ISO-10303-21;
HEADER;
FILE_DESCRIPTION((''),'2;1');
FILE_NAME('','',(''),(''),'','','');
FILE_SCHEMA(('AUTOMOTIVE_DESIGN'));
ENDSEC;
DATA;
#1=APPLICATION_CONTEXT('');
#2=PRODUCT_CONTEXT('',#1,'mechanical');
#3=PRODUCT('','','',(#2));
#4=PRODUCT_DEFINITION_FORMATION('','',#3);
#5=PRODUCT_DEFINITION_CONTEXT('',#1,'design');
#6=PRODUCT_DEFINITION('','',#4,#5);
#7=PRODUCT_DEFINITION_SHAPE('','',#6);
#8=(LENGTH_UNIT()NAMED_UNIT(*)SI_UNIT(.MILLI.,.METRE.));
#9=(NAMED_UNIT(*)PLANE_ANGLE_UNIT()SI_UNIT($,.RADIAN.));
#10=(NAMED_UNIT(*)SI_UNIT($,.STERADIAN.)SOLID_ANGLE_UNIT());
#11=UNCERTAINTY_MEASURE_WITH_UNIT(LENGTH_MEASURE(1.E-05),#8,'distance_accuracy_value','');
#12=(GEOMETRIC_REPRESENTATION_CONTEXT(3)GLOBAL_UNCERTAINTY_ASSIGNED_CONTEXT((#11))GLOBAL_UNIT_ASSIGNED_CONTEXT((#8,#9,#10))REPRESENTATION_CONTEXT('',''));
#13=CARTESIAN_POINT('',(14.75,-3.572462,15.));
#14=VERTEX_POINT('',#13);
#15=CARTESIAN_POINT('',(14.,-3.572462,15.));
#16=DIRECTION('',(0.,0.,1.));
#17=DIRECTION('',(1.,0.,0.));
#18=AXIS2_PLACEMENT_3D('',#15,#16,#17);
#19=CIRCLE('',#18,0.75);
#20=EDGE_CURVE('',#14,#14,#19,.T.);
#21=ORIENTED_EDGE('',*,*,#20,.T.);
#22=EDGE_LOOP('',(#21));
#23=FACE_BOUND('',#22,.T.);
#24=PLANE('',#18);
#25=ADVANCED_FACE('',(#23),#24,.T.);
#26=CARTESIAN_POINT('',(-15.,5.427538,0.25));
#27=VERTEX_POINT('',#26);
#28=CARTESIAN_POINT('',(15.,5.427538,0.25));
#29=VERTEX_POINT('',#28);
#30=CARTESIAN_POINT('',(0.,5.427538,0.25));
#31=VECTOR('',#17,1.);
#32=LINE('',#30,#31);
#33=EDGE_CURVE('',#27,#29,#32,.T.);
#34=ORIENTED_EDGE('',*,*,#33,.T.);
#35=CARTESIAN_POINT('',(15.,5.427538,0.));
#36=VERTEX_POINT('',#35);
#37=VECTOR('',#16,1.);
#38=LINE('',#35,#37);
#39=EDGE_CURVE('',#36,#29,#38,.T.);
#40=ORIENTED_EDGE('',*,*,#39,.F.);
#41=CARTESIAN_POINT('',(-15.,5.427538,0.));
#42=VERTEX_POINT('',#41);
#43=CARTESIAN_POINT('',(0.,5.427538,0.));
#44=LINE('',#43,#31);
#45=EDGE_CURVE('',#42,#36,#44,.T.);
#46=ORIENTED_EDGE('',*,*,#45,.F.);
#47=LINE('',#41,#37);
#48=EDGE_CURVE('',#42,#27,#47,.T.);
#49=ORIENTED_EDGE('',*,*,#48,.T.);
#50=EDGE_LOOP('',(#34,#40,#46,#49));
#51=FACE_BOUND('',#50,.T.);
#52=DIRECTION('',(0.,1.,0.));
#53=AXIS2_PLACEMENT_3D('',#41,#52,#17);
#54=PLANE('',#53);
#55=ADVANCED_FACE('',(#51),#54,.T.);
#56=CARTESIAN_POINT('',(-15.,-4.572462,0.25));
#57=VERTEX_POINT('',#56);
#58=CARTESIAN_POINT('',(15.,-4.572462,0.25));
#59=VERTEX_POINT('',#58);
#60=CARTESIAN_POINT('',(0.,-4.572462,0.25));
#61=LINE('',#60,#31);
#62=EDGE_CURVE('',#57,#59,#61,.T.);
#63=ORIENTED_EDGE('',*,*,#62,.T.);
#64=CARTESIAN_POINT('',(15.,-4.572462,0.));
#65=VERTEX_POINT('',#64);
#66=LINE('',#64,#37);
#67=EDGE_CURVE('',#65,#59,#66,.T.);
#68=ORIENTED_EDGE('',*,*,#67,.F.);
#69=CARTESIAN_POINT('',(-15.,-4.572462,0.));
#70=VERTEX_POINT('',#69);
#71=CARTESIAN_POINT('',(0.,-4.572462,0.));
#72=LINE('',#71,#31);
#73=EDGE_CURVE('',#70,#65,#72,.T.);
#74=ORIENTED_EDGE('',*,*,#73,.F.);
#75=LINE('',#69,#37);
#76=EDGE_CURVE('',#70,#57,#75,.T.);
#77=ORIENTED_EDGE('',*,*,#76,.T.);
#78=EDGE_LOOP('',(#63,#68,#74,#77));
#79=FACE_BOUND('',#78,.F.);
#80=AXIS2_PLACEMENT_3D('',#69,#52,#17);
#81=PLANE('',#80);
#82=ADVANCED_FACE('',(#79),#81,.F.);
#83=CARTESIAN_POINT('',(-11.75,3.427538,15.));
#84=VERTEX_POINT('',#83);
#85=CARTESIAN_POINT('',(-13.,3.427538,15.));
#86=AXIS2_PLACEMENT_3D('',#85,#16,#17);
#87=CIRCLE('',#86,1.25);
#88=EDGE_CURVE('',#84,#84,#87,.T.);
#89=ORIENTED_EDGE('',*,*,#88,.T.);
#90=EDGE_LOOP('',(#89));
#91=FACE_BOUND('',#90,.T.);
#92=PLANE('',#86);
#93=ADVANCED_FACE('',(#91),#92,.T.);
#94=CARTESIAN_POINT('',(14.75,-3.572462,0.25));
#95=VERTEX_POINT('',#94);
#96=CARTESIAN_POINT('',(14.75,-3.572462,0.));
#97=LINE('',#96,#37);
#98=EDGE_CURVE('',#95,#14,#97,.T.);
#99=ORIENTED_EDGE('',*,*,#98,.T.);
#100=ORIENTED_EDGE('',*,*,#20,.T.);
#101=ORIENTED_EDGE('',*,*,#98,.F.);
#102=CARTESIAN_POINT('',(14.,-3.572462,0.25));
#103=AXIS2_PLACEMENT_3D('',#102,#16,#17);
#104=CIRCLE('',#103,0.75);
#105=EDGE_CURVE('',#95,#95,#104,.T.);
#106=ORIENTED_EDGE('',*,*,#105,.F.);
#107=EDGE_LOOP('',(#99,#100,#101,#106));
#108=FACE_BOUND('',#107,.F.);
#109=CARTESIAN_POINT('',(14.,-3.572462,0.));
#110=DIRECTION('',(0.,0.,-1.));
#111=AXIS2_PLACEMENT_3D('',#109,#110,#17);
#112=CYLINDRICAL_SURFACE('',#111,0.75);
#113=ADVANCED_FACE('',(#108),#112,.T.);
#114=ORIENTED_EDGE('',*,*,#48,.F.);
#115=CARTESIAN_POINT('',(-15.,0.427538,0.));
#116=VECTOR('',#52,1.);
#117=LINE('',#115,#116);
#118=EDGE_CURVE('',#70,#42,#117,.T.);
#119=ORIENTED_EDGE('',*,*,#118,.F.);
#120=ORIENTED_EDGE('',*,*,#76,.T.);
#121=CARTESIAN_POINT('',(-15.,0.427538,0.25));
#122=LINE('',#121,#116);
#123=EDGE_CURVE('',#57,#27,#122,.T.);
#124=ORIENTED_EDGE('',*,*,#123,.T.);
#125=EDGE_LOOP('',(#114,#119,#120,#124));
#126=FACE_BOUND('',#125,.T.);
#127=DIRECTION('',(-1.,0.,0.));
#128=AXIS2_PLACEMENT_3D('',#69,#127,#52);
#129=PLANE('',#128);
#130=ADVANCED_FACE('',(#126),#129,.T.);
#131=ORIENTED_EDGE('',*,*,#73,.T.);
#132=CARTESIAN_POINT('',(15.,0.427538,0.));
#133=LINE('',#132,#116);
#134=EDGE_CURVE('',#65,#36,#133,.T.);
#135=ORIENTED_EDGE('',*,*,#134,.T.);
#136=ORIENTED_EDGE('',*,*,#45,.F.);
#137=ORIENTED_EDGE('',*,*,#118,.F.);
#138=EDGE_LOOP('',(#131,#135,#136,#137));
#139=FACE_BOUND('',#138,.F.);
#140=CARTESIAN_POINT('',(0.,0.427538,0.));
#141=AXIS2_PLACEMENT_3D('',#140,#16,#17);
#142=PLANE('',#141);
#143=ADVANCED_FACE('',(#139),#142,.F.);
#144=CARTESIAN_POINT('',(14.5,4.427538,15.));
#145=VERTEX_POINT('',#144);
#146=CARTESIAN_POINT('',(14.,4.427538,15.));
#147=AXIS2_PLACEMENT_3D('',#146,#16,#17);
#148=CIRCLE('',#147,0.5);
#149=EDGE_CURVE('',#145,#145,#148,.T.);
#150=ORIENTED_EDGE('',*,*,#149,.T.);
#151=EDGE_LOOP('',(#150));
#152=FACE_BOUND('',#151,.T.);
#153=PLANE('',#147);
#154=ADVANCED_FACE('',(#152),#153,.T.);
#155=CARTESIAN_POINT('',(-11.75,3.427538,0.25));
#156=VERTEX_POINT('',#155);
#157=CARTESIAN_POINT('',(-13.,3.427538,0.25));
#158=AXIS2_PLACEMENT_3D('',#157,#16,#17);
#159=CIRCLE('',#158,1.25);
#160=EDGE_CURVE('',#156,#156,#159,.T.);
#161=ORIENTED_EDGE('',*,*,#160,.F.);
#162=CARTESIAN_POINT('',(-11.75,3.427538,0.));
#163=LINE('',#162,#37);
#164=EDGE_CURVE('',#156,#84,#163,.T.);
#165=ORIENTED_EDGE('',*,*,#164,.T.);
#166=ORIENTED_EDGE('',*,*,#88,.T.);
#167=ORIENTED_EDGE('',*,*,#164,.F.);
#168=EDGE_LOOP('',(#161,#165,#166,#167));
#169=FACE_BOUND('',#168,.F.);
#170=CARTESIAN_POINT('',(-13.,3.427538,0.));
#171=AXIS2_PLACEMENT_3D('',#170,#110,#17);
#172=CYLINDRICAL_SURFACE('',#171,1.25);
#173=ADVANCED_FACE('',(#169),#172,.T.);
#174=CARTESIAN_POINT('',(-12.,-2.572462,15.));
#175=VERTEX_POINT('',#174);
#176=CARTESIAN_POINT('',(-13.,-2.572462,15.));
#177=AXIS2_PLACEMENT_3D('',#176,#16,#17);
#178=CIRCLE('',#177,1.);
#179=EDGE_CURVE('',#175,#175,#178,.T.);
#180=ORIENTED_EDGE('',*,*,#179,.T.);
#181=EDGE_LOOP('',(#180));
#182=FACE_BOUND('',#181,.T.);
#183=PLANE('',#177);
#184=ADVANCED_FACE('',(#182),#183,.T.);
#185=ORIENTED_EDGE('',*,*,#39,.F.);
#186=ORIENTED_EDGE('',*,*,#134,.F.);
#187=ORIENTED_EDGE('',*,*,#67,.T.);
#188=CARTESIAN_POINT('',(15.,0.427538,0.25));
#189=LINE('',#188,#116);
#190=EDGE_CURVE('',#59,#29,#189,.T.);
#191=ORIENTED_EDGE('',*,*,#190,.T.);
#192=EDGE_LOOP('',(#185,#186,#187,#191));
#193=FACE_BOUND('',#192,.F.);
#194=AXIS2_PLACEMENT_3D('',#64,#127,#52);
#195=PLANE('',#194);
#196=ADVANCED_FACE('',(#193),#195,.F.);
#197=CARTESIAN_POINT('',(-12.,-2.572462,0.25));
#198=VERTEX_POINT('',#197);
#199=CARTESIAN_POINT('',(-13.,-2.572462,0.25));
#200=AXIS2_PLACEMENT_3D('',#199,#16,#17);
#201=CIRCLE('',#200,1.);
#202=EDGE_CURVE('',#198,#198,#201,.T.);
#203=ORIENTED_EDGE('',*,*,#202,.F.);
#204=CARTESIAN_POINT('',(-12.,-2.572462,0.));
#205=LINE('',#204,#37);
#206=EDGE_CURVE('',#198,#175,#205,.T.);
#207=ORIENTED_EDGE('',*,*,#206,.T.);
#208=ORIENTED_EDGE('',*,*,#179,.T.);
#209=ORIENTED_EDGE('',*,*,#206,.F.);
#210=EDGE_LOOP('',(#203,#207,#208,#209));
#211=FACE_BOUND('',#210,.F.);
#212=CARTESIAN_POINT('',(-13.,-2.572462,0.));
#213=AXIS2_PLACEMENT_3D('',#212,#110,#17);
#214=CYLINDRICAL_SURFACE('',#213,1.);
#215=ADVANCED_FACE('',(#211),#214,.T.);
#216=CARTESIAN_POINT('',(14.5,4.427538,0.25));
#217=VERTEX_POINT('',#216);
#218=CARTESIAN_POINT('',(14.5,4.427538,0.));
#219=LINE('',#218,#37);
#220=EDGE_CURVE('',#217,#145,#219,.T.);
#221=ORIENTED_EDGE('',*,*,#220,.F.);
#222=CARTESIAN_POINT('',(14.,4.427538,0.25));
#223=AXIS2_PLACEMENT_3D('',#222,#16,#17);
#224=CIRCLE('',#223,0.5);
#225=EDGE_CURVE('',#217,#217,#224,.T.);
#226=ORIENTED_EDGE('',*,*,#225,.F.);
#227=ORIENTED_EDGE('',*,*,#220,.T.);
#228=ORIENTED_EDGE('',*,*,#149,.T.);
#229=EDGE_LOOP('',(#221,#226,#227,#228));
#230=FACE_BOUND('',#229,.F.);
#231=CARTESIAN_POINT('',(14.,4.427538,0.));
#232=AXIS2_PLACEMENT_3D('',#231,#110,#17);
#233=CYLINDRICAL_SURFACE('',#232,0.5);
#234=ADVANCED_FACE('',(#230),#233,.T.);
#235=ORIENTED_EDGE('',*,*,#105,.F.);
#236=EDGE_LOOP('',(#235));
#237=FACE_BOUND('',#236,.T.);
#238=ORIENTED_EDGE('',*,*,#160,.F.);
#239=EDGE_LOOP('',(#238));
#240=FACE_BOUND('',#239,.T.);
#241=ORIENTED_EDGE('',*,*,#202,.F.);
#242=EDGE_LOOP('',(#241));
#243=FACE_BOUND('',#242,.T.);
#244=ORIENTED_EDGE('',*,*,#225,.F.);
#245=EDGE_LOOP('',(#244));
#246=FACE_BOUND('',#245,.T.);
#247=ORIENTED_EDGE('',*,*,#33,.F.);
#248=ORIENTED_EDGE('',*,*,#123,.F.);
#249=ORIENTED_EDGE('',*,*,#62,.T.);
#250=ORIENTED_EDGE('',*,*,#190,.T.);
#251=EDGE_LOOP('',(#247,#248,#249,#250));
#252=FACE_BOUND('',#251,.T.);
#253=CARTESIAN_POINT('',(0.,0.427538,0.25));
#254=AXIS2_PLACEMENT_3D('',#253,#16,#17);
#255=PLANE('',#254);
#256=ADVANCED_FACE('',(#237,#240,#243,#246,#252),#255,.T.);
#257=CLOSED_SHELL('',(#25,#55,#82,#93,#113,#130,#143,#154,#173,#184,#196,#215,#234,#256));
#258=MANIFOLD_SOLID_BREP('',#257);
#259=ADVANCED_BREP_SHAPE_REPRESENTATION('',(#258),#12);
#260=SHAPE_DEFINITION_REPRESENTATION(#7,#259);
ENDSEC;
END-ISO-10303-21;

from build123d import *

# Parameters (mm, degrees)
F0_W     = 30
F0_H     = 10
F0_R     = 1
F0_R_2   = 0.75
F0_R_3   = 1.25
F0_R_4   = 0.5
F1_DEPTH = 0.25
F2_DEPTH = 15


with BuildPart() as f1:
    # F0 (on Top) → F1 (new body)
    with BuildSketch(Plane.XY):
        with Locations((0, 0.427538)):
            Rectangle(F0_W, F0_H)
        with Locations((-13, -2.572462)):
            Circle(F0_R, mode=Mode.SUBTRACT)
        with Locations((14, -3.572462)):
            Circle(F0_R_2, mode=Mode.SUBTRACT)
        with Locations((-13, 3.427538)):
            Circle(F0_R_3, mode=Mode.SUBTRACT)
        with Locations((14, 4.427538)):
            Circle(F0_R_4, mode=Mode.SUBTRACT)
    extrude(amount=F1_DEPTH)

    # F0 (on Top) → F2 (join)
    with BuildSketch(Plane.XY):
        with Locations((-13, 3.427538)):
            Circle(F0_R_3)
        with Locations((-13, -2.572462)):
            Circle(F0_R)
        with Locations((14, -3.572462)):
            Circle(F0_R_2)
        with Locations((14, 4.427538)):
            Circle(F0_R_4)
    extrude(amount=F2_DEPTH)


solid = f1.part
